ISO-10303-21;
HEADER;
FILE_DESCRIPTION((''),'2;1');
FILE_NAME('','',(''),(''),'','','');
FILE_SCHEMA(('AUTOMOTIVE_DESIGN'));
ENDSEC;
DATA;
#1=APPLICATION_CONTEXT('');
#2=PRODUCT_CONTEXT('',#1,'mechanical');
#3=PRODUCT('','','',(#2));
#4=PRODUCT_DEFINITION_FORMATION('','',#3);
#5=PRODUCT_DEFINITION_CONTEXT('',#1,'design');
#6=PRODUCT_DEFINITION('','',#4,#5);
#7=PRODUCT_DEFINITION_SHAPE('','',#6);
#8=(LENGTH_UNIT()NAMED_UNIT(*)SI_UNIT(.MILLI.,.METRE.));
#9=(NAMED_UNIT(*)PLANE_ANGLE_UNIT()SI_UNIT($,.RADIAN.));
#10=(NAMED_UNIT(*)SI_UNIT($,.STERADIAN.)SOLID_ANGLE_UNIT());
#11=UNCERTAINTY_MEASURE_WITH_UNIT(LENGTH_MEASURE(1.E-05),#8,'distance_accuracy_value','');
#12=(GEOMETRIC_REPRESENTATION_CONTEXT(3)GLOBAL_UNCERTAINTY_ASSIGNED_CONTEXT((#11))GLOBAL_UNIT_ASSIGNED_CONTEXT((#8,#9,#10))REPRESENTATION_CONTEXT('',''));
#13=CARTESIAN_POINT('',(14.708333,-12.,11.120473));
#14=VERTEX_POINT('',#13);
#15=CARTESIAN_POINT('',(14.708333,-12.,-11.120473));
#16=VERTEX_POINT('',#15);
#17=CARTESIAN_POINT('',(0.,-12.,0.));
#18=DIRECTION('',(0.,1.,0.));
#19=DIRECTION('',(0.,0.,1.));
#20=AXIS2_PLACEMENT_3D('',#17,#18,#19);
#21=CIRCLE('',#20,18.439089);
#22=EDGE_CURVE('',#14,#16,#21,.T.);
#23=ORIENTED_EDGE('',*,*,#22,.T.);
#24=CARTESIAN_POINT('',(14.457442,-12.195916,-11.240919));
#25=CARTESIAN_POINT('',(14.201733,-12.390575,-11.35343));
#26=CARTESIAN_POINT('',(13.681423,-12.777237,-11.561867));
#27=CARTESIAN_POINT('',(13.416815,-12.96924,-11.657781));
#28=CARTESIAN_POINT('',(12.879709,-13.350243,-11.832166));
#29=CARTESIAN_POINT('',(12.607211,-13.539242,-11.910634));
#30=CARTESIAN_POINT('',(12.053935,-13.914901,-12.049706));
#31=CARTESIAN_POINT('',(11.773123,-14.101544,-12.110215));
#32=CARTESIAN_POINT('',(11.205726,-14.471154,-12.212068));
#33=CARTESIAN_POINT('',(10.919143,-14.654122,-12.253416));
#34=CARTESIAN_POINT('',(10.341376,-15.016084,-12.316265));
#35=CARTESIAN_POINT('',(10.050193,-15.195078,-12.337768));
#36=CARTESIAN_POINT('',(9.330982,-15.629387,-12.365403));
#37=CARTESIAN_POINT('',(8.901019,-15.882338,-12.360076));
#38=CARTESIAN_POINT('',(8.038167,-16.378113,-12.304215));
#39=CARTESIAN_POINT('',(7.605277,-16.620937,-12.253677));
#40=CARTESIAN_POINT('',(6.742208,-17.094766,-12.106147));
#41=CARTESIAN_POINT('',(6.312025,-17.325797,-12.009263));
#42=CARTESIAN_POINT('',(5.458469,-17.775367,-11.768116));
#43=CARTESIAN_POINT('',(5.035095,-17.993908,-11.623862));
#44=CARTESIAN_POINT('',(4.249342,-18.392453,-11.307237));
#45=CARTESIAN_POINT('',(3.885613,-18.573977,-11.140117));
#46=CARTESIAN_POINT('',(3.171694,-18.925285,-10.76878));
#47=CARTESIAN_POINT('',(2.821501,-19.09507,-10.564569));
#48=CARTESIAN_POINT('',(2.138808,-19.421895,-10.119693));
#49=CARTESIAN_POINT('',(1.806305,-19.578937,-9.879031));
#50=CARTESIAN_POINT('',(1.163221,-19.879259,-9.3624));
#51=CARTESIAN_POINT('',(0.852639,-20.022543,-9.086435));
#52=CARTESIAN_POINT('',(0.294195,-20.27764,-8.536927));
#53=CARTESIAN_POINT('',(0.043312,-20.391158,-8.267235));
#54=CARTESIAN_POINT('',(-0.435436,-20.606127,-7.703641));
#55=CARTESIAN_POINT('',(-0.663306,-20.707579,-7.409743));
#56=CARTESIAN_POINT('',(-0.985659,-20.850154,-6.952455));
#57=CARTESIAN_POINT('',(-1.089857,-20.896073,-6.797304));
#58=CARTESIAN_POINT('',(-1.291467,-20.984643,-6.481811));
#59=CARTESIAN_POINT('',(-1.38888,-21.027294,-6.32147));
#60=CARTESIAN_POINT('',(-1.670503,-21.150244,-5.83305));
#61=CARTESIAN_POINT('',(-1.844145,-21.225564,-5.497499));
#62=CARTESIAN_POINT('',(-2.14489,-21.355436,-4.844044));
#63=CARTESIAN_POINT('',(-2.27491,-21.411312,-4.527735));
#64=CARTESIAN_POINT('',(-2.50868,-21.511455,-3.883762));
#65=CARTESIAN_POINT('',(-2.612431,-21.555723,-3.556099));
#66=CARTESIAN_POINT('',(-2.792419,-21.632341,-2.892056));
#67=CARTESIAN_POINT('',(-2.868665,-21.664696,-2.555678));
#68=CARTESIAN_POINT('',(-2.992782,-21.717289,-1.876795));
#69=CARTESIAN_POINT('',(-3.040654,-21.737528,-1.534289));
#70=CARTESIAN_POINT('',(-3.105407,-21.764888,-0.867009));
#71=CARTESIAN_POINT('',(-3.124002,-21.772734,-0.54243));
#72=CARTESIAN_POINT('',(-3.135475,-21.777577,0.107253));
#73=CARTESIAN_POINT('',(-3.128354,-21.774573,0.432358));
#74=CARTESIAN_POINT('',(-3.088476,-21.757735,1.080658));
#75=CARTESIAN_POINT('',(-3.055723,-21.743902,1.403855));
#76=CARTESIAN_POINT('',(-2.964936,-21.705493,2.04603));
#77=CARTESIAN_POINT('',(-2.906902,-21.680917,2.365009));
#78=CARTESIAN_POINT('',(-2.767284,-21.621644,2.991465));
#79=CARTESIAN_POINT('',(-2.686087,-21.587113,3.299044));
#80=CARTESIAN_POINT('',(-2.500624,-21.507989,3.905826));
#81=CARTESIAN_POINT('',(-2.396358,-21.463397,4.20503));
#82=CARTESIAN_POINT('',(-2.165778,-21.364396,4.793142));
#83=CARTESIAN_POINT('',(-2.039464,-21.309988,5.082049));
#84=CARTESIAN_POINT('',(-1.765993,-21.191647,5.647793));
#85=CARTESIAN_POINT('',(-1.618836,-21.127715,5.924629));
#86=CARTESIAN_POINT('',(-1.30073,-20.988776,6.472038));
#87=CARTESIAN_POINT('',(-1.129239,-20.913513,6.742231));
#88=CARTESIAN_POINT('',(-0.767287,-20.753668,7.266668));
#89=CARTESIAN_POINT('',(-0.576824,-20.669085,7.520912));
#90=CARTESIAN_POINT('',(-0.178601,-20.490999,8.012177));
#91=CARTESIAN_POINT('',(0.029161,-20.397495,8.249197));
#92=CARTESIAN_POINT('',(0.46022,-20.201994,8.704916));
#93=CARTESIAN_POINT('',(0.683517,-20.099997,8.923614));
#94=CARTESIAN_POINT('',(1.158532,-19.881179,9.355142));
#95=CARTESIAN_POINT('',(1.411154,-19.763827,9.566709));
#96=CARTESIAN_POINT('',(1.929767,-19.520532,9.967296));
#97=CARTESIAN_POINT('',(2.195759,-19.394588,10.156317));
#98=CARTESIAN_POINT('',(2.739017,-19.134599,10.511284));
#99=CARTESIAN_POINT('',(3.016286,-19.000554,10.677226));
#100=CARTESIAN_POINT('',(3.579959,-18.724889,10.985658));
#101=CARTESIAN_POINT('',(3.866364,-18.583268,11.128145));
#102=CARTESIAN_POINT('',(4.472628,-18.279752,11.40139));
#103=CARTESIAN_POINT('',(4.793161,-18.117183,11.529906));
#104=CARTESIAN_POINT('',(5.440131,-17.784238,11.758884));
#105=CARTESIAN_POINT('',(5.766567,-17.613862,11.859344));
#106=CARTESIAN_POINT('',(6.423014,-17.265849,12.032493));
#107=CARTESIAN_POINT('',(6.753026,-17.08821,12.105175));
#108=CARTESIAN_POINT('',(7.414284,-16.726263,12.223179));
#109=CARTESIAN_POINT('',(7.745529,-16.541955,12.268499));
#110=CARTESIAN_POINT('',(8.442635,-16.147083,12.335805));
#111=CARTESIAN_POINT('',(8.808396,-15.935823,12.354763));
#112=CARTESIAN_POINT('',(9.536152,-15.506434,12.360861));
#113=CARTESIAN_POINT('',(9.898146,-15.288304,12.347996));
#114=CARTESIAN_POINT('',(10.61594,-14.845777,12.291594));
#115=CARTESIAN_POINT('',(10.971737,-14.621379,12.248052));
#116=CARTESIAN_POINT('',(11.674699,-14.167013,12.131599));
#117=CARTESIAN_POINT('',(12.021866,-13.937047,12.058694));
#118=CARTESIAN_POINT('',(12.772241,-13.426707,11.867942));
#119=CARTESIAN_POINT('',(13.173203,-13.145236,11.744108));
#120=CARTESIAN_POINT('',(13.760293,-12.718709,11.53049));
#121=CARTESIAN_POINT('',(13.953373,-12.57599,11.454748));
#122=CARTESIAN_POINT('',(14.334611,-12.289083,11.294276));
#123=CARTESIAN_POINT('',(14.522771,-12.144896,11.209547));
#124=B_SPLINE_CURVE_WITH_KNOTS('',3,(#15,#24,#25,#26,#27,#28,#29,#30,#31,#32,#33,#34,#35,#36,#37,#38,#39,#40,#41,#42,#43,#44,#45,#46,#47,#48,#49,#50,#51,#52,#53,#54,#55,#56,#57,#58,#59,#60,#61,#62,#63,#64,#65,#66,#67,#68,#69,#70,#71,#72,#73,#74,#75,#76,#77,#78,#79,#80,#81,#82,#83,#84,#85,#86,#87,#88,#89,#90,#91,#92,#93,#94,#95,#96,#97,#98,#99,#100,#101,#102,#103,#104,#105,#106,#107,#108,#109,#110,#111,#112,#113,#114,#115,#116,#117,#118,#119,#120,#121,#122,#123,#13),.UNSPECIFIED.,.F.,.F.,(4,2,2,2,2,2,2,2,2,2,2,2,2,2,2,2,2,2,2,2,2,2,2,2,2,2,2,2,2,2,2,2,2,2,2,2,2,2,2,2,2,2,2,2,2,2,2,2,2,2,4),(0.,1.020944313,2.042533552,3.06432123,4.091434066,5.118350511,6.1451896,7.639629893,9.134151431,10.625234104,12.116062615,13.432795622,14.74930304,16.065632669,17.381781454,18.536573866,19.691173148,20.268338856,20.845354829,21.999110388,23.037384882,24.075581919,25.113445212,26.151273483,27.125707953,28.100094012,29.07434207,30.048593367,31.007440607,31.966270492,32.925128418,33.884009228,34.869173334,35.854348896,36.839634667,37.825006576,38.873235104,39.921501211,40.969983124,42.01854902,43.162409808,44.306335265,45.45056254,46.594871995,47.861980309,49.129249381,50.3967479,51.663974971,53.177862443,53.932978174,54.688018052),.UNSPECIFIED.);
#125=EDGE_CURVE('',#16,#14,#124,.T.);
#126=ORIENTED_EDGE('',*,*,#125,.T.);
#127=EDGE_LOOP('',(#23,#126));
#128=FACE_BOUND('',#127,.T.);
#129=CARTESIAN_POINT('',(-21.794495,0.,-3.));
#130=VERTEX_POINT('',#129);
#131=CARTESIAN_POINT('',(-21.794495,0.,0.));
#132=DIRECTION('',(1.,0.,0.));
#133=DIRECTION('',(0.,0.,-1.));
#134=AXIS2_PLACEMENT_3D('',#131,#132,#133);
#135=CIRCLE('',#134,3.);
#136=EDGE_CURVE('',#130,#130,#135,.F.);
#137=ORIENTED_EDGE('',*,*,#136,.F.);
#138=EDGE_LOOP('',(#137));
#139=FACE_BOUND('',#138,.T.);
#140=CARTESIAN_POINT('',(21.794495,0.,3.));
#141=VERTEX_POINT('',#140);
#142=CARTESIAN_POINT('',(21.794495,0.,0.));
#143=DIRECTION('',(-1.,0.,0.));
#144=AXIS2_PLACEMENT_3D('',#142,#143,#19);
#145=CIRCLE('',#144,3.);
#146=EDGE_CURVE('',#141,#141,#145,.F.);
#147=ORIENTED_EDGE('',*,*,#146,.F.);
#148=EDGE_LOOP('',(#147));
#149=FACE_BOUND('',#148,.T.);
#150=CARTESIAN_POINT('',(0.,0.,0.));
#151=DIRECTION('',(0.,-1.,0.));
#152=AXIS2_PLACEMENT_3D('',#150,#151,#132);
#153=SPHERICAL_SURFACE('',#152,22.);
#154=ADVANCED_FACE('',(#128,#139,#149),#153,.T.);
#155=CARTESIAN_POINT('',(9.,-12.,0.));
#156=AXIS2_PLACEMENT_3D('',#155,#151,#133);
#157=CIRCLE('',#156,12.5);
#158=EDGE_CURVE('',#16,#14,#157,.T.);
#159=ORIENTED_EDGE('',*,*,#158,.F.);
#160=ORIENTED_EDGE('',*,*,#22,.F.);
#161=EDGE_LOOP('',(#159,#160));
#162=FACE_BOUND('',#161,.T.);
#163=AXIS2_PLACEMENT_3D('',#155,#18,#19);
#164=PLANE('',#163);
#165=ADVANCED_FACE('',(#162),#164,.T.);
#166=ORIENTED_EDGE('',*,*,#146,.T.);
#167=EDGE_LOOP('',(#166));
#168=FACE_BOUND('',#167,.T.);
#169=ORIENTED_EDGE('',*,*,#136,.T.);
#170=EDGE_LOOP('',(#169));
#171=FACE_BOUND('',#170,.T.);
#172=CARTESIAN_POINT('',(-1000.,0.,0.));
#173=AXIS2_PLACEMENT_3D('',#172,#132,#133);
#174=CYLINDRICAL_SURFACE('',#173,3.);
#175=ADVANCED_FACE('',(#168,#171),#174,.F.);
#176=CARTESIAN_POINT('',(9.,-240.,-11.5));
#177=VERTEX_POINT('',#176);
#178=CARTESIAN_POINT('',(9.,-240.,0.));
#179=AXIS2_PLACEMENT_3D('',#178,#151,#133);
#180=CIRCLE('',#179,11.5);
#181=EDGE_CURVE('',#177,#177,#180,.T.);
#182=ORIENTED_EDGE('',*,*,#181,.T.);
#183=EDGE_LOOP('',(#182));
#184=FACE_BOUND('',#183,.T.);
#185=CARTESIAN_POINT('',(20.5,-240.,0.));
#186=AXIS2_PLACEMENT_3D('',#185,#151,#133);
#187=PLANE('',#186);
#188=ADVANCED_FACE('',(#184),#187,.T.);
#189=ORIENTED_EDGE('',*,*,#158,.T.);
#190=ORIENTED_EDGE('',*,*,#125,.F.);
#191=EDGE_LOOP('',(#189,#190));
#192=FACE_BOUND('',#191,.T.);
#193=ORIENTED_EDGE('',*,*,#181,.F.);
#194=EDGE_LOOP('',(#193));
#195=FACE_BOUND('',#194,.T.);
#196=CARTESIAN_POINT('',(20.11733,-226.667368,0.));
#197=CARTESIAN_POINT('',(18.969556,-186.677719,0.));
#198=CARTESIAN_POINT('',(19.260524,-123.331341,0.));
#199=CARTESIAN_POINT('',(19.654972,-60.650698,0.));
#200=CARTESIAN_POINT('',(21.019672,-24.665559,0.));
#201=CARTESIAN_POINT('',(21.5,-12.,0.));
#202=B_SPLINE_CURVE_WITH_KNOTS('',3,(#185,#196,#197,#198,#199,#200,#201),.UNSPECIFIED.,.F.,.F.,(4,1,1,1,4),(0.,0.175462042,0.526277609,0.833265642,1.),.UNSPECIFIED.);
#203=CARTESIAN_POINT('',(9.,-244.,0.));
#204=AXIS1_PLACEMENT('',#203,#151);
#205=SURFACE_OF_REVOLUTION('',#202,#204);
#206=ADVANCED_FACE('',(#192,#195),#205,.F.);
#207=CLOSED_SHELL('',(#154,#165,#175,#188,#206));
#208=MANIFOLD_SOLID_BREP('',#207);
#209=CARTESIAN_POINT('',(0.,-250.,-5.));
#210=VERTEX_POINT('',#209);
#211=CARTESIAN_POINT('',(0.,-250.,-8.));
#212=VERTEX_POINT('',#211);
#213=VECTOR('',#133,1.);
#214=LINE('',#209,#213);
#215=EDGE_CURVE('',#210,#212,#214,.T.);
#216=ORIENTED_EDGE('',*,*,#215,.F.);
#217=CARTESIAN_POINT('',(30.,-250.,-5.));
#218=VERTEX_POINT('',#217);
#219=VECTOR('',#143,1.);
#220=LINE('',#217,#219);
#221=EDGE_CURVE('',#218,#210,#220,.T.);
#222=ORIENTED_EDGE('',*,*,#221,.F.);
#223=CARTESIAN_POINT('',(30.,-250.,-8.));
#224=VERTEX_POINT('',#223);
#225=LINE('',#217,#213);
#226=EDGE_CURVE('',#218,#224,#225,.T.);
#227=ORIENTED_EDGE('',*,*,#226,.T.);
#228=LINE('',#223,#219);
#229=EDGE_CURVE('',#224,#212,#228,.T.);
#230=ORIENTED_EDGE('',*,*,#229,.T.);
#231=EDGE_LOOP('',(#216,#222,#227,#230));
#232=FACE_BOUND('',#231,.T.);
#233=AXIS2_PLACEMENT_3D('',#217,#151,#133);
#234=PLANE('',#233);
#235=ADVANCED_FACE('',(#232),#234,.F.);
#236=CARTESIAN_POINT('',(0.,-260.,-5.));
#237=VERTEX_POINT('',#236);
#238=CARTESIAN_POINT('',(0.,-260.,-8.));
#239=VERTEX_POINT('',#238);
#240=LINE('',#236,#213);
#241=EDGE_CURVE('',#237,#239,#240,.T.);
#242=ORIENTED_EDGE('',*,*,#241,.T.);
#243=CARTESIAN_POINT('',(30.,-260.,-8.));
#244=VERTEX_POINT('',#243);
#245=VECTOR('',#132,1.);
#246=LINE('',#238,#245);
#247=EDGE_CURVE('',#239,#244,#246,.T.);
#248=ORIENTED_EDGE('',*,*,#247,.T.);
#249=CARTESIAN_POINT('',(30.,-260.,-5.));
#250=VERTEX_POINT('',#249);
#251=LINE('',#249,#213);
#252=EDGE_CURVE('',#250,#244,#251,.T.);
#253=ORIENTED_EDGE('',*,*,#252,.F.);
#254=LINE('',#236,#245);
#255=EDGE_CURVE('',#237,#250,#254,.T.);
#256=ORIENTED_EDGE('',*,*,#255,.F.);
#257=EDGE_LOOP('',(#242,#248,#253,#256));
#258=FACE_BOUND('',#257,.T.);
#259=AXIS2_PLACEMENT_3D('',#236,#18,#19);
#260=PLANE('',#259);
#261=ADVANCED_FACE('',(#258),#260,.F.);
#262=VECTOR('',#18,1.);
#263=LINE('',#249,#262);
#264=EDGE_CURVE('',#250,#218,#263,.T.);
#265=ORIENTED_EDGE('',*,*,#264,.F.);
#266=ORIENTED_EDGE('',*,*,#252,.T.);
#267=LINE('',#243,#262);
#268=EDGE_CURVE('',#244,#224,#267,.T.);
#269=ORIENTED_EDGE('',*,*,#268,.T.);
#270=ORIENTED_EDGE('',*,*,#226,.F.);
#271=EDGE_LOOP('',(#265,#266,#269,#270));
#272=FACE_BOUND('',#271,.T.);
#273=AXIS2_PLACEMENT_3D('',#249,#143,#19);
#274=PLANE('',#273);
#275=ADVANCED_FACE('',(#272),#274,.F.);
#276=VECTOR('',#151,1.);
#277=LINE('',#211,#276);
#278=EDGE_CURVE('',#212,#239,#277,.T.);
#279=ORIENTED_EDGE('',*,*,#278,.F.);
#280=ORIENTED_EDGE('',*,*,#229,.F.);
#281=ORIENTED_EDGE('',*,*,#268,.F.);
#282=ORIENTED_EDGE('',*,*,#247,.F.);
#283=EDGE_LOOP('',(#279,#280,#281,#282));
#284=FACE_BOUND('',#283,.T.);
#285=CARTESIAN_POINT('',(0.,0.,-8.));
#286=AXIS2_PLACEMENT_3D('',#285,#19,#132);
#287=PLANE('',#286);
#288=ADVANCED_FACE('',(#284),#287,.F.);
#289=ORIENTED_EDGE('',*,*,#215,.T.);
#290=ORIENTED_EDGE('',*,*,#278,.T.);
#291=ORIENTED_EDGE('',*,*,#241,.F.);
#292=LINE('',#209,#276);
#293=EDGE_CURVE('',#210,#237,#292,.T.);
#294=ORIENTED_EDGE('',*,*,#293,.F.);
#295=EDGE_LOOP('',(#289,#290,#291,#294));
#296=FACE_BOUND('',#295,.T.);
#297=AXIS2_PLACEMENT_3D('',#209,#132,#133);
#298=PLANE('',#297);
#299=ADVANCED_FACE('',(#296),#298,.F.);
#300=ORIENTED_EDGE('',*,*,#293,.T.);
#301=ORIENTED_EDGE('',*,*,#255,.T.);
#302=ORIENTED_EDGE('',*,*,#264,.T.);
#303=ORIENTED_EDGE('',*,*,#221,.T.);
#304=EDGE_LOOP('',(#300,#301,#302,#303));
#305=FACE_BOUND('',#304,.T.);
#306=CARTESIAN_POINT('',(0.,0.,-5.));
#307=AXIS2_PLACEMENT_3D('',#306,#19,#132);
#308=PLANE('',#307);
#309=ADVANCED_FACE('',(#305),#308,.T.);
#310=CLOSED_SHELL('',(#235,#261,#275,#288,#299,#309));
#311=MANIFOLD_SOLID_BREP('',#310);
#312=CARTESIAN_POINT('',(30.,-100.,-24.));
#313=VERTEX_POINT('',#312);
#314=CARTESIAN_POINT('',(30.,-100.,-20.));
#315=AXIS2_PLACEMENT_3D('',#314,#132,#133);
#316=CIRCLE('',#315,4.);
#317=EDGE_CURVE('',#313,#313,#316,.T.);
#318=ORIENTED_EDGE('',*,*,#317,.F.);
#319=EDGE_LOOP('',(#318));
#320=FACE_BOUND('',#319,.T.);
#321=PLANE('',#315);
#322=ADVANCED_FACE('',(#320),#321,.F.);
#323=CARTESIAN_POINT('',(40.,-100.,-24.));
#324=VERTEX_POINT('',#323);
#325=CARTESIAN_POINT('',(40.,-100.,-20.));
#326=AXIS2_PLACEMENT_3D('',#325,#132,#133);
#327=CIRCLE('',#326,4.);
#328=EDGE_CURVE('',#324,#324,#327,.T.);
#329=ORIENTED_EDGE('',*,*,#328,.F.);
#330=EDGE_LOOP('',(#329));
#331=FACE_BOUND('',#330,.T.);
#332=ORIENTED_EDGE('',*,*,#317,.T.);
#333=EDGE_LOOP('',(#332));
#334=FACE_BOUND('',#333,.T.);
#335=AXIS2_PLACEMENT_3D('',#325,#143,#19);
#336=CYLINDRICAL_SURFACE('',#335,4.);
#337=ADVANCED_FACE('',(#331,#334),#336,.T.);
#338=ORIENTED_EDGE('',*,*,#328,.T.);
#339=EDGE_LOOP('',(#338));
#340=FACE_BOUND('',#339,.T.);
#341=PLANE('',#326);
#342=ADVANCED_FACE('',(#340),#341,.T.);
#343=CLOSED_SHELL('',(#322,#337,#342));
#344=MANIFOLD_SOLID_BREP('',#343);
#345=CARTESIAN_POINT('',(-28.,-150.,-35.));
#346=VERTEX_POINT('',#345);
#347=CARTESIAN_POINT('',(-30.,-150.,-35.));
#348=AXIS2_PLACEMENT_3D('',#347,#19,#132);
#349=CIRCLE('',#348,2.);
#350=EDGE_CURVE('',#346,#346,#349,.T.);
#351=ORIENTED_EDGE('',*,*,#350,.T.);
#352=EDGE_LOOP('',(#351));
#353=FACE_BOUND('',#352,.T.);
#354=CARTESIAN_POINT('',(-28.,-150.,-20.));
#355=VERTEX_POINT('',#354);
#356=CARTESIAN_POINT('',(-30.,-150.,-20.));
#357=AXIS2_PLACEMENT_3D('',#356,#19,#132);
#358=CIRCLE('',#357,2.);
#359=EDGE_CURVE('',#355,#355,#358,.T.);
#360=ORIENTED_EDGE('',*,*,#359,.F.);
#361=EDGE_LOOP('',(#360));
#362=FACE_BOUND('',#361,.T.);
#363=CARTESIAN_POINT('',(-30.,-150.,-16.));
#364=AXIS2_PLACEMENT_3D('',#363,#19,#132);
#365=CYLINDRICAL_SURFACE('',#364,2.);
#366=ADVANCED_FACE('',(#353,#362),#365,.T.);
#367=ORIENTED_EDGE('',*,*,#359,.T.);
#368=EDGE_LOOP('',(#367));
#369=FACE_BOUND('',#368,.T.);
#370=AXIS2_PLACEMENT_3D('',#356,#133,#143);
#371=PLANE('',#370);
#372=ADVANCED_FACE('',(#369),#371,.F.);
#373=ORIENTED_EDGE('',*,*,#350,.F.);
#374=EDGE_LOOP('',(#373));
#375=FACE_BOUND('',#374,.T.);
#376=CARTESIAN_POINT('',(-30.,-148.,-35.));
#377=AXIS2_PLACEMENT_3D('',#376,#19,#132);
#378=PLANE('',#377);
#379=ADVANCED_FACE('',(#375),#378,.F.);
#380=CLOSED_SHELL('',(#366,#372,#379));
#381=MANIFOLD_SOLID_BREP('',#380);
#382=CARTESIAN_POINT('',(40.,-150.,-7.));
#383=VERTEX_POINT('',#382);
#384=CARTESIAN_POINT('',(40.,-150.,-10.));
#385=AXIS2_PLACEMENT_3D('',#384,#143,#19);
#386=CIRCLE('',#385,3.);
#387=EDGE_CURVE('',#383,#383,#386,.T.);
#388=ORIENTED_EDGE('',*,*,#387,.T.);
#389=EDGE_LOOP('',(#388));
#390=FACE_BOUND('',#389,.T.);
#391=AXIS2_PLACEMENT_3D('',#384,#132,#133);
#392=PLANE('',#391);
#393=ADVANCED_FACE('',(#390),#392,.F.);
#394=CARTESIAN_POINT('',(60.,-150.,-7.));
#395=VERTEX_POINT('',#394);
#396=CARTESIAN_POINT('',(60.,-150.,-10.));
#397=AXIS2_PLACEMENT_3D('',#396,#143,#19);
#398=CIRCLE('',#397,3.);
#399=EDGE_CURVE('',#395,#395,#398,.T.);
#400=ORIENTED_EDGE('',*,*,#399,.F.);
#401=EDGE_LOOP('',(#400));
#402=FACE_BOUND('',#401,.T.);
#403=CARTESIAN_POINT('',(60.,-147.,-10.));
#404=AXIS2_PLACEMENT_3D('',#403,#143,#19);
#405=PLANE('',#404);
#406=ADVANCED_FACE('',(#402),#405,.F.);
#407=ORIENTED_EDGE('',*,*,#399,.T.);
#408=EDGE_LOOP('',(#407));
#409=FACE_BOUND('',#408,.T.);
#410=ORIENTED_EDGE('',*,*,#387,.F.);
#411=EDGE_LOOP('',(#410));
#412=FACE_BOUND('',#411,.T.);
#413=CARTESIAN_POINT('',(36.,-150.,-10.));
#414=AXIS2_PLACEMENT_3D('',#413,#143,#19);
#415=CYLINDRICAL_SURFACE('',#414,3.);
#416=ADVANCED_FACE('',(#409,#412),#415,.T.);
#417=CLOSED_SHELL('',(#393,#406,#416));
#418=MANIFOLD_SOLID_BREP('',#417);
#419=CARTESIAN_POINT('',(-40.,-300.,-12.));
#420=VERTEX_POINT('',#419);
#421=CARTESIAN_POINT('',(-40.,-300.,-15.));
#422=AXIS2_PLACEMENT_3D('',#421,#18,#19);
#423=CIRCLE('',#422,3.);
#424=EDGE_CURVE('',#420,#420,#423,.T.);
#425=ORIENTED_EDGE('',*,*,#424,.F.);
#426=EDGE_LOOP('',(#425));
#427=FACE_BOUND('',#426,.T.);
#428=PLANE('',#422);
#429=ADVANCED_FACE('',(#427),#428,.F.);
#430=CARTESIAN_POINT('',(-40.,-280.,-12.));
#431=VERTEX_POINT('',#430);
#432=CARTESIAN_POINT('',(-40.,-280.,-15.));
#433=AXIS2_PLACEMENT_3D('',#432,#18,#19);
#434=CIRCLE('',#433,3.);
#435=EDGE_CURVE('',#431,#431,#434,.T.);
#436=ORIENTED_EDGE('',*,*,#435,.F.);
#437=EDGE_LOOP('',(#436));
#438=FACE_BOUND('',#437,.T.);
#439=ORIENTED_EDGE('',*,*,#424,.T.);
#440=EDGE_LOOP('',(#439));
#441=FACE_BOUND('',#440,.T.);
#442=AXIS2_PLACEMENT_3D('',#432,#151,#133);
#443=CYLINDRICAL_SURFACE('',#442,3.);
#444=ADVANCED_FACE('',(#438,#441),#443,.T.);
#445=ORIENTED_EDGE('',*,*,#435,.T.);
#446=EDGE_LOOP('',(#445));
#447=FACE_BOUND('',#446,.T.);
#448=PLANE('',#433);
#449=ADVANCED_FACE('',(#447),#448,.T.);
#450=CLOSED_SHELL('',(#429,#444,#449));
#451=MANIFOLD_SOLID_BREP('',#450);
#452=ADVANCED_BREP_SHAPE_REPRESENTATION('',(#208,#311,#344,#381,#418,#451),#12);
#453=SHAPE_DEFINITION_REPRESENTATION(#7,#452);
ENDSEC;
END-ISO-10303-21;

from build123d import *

# Parameters (mm, degrees)
SKETCH3_W          = 30
SKETCH3_H          = 10
PLACAFRONTAL_DEPTH = 3
SKETCH4_R          = 4
CILLATERAL_DEPTH   = 10
SKETCH5_R          = 3
CILSUPERIOR_DEPTH  = 20
SKETCH6_W          = 20
SKETCH6_H          = 3
SKETCH7_W          = 15
SKETCH7_H          = 2
SKETCH8_R          = 3
TALADRO_DEPTH      = 1000


with BuildPart() as part:
    # Sketch1 → Diafisis (revolve)
    with BuildSketch(Plane.XY):
        with BuildLine():
            Line((20.5, -240), (9, -240))
            Line((9, -240), (9, -12))
            Line((9, -12), (21.5, -12))
            add(Edge.make_bspline(
                [(21.5, -12), (21.019671529, -24.665559348), (19.654971688, -60.650698391), (19.260523811, -123.331340783), (18.969556139, -186.677719017), (20.117329868, -226.667368332), (20.5, -240)],
                knots=[0, 0, 0, 0, 0.166734358, 0.473722391, 0.824537958, 1, 1, 1, 1], degree=3))
        make_face()
    revolve(axis=Axis((9, -244, 0), (0, 1, 0)))

    # Sketch2 → Cabeza (revolve)
    with BuildSketch(Plane.XY):
        with BuildLine():
            Line((0, -22), (0, 22))
            ThreePointArc((0, 22), (22, 0), (0, -22))
        make_face()
    revolve(axis=Axis((0, -26, 0), (0, 1, 0)))

    # Sketch8 → Taladro (cut, symmetric)
    with BuildSketch(Plane(origin=(0, 0, 0), x_dir=(0, 0, -1), z_dir=(1, 0, 0))):
        Circle(SKETCH8_R)
    extrude(amount=TALADRO_DEPTH, both=True, mode=Mode.SUBTRACT)


with BuildPart() as body_2:
    # Sketch3 → PlacaFrontal (new body)
    with BuildSketch(Plane.XY.offset(-8)):
        with Locations((15, -255)):
            Rectangle(SKETCH3_W, SKETCH3_H)
    extrude(amount=PLACAFRONTAL_DEPTH)


with BuildPart() as body_3:
    # Sketch4 → CilLateral (new body)
    with BuildSketch(Plane(origin=(30, 0, 0), x_dir=(0, 0, -1), z_dir=(1, 0, 0))):
        with Locations((20, -100)):
            Circle(SKETCH4_R)
    extrude(amount=CILLATERAL_DEPTH)


with BuildPart() as body_4:
    # Sketch5 → CilSuperior (new body)
    with BuildSketch(Plane(origin=(0, -300, 0), x_dir=(1, 0, 0), z_dir=(0, 1, 0))):
        with Locations(Location((-40, 15, 0), (0, 0, 270))):
            Circle(SKETCH5_R)
    extrude(amount=CILSUPERIOR_DEPTH)


with BuildPart() as body_5:
    # Sketch6 → RevX (revolve)
    with BuildSketch(Plane.XY.offset(-10), mode=Mode.PRIVATE) as revx_sk:
        with Locations((50, -148.5)):
            Rectangle(SKETCH6_W, SKETCH6_H)
    revolve(revx_sk.sketch.rotate(Axis((36, -150, -10), (1, 0, 0)), 90), axis=Axis((36, -150, -10), (1, 0, 0)))


with BuildPart() as body_6:
    # Sketch7 → RevA (revolve)
    with BuildSketch(Plane(origin=(-30, 0, 0), x_dir=(0, 0, -1), z_dir=(1, 0, 0)), mode=Mode.PRIVATE) as reva_sk:
        with Locations((27.5, -149)):
            Rectangle(SKETCH7_W, SKETCH7_H)
    revolve(reva_sk.sketch.rotate(Axis((-30, -150, -16), (0, 0, -1)), 90), axis=Axis((-30, -150, -16), (0, 0, -1)))


solid = Compound([part.part, body_2.part, body_3.part, body_4.part, body_5.part, body_6.part])
